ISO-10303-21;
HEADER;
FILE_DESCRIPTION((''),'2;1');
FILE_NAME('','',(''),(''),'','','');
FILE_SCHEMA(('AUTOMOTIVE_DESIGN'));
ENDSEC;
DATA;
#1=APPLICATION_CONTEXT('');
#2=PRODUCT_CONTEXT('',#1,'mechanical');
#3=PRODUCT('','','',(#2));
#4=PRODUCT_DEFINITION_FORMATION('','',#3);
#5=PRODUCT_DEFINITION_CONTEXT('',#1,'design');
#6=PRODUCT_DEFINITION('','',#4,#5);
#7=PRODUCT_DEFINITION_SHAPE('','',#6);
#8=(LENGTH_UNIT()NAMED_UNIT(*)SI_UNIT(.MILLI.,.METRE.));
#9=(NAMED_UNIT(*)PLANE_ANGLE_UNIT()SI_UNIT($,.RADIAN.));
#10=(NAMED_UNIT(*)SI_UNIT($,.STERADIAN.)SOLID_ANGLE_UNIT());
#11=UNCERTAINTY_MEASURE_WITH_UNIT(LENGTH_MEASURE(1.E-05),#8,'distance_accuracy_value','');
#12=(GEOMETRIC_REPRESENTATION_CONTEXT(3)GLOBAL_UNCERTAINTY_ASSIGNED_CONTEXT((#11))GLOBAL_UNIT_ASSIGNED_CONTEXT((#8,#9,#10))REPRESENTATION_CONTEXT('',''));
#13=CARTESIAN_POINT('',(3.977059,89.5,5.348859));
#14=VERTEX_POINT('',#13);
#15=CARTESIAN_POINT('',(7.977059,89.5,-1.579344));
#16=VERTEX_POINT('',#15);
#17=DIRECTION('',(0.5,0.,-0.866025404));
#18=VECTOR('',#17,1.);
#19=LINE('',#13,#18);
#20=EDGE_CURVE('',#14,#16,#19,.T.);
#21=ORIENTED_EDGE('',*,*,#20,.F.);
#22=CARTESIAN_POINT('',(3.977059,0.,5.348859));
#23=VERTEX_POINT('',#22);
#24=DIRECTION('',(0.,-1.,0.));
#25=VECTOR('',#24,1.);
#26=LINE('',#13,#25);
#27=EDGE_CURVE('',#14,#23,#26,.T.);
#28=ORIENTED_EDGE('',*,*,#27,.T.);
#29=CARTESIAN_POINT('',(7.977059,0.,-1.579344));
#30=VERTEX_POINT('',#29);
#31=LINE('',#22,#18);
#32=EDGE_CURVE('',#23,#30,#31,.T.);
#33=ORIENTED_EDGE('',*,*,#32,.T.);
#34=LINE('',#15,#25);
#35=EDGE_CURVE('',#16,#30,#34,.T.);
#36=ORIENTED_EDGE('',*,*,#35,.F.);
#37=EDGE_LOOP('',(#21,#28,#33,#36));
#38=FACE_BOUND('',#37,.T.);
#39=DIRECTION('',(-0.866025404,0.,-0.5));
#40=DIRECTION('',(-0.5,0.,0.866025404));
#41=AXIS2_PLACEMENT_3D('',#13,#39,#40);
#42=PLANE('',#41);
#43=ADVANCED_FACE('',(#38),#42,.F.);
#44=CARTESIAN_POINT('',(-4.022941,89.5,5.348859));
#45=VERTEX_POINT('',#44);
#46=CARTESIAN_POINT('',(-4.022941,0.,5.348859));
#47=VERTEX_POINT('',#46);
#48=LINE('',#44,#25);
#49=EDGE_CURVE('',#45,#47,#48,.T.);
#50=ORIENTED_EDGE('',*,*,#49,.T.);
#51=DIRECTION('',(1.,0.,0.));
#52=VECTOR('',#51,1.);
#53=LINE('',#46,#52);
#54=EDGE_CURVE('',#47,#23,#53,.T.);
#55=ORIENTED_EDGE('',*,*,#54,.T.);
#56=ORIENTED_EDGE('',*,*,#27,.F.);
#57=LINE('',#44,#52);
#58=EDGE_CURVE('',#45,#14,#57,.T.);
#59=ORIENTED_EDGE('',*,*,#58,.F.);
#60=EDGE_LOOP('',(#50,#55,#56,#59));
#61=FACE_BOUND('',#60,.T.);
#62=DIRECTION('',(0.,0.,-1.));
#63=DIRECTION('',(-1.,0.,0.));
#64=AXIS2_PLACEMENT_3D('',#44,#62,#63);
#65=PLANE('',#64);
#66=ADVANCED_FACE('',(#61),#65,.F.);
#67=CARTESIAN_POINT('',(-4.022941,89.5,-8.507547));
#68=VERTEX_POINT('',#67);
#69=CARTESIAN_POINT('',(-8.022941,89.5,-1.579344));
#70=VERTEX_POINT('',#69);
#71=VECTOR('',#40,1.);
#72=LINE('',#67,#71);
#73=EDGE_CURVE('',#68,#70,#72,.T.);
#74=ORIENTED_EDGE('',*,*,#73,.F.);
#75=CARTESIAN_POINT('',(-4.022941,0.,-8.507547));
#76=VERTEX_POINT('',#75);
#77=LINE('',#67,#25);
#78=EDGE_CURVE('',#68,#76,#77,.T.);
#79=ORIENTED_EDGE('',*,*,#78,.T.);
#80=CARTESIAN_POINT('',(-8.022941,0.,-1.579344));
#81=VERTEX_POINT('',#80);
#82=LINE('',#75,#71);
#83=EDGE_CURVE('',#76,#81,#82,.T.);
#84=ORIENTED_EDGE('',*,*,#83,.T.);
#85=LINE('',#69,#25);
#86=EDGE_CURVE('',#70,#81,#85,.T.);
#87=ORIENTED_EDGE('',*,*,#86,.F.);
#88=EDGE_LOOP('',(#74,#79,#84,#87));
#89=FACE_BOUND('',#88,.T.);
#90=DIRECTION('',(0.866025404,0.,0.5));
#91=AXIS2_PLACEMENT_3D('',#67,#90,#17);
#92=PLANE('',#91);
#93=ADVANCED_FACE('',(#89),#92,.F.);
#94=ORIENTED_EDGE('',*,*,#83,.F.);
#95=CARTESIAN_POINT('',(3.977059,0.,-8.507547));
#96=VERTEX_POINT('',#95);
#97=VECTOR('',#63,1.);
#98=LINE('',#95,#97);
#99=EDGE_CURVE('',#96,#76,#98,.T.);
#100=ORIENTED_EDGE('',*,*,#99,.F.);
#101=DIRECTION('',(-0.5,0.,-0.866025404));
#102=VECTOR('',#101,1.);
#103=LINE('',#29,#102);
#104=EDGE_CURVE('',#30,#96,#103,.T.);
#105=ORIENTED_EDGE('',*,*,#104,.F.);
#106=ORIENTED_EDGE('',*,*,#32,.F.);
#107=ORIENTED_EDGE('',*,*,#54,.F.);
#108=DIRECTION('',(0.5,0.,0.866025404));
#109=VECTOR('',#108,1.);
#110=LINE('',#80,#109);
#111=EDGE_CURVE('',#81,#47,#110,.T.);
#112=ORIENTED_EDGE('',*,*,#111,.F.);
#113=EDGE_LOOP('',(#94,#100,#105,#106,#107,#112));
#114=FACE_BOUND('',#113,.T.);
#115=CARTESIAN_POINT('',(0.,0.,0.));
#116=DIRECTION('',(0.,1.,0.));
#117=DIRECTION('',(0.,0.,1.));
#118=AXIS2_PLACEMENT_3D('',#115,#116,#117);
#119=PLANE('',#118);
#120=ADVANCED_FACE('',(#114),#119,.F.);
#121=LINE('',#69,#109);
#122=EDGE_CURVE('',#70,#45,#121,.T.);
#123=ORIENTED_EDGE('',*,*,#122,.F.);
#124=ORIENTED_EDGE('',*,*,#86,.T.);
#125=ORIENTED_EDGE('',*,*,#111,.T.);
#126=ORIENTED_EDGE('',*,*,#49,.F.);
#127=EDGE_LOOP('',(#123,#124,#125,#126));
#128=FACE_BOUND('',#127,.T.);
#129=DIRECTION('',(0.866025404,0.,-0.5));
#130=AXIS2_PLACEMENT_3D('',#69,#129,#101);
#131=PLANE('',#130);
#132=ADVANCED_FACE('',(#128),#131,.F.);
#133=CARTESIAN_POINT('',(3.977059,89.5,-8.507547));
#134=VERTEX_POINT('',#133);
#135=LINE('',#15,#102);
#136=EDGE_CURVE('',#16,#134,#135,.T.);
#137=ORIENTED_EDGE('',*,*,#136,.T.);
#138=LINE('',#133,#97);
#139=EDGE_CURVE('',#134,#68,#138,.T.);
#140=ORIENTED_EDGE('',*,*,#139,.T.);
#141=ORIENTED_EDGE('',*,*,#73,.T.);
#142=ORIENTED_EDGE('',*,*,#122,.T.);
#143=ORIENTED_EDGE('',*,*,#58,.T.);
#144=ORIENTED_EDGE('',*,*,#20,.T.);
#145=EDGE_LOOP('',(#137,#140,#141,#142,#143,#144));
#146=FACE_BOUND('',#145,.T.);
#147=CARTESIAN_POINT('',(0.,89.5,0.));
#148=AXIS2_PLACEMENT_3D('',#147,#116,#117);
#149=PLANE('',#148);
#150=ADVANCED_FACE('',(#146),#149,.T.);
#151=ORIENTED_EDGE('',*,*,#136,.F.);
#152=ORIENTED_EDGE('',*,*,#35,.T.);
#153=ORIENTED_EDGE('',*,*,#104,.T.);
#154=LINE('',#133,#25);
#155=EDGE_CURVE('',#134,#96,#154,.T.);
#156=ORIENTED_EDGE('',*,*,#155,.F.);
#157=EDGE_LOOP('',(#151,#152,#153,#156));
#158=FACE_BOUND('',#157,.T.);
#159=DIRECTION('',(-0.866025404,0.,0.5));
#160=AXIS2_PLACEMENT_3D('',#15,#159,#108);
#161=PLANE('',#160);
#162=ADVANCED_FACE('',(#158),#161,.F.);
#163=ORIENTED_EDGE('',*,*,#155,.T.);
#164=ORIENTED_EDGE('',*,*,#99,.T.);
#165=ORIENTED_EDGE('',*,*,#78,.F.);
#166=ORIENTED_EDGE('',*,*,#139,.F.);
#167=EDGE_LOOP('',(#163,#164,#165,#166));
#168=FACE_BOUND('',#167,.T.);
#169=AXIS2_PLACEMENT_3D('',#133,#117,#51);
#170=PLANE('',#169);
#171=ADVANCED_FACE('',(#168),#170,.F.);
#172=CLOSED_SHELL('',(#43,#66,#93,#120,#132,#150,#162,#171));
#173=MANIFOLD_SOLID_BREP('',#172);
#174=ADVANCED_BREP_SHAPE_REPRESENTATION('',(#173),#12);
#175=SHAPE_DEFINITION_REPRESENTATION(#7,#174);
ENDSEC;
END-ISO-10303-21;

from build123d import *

# Parameters (mm, degrees)
BOSS_EXTRUDE1_DEPTH = 89.5


with BuildPart() as part:
    # Sketch1 → Boss-Extrude1 (new body)
    with BuildSketch(Plane(origin=(0, 0, 0), x_dir=(1, 0, 0), z_dir=(0, 1, 0))):
        Polygon((7.977059052, 1.579344013), (3.977059052, 8.507547244), (-4.022940948, 8.507547244), (-8.022940948, 1.579344013), (-4.022940948, -5.348859217), (3.977059052, -5.348859217), align=None)
    extrude(amount=BOSS_EXTRUDE1_DEPTH)


solid = part.part
